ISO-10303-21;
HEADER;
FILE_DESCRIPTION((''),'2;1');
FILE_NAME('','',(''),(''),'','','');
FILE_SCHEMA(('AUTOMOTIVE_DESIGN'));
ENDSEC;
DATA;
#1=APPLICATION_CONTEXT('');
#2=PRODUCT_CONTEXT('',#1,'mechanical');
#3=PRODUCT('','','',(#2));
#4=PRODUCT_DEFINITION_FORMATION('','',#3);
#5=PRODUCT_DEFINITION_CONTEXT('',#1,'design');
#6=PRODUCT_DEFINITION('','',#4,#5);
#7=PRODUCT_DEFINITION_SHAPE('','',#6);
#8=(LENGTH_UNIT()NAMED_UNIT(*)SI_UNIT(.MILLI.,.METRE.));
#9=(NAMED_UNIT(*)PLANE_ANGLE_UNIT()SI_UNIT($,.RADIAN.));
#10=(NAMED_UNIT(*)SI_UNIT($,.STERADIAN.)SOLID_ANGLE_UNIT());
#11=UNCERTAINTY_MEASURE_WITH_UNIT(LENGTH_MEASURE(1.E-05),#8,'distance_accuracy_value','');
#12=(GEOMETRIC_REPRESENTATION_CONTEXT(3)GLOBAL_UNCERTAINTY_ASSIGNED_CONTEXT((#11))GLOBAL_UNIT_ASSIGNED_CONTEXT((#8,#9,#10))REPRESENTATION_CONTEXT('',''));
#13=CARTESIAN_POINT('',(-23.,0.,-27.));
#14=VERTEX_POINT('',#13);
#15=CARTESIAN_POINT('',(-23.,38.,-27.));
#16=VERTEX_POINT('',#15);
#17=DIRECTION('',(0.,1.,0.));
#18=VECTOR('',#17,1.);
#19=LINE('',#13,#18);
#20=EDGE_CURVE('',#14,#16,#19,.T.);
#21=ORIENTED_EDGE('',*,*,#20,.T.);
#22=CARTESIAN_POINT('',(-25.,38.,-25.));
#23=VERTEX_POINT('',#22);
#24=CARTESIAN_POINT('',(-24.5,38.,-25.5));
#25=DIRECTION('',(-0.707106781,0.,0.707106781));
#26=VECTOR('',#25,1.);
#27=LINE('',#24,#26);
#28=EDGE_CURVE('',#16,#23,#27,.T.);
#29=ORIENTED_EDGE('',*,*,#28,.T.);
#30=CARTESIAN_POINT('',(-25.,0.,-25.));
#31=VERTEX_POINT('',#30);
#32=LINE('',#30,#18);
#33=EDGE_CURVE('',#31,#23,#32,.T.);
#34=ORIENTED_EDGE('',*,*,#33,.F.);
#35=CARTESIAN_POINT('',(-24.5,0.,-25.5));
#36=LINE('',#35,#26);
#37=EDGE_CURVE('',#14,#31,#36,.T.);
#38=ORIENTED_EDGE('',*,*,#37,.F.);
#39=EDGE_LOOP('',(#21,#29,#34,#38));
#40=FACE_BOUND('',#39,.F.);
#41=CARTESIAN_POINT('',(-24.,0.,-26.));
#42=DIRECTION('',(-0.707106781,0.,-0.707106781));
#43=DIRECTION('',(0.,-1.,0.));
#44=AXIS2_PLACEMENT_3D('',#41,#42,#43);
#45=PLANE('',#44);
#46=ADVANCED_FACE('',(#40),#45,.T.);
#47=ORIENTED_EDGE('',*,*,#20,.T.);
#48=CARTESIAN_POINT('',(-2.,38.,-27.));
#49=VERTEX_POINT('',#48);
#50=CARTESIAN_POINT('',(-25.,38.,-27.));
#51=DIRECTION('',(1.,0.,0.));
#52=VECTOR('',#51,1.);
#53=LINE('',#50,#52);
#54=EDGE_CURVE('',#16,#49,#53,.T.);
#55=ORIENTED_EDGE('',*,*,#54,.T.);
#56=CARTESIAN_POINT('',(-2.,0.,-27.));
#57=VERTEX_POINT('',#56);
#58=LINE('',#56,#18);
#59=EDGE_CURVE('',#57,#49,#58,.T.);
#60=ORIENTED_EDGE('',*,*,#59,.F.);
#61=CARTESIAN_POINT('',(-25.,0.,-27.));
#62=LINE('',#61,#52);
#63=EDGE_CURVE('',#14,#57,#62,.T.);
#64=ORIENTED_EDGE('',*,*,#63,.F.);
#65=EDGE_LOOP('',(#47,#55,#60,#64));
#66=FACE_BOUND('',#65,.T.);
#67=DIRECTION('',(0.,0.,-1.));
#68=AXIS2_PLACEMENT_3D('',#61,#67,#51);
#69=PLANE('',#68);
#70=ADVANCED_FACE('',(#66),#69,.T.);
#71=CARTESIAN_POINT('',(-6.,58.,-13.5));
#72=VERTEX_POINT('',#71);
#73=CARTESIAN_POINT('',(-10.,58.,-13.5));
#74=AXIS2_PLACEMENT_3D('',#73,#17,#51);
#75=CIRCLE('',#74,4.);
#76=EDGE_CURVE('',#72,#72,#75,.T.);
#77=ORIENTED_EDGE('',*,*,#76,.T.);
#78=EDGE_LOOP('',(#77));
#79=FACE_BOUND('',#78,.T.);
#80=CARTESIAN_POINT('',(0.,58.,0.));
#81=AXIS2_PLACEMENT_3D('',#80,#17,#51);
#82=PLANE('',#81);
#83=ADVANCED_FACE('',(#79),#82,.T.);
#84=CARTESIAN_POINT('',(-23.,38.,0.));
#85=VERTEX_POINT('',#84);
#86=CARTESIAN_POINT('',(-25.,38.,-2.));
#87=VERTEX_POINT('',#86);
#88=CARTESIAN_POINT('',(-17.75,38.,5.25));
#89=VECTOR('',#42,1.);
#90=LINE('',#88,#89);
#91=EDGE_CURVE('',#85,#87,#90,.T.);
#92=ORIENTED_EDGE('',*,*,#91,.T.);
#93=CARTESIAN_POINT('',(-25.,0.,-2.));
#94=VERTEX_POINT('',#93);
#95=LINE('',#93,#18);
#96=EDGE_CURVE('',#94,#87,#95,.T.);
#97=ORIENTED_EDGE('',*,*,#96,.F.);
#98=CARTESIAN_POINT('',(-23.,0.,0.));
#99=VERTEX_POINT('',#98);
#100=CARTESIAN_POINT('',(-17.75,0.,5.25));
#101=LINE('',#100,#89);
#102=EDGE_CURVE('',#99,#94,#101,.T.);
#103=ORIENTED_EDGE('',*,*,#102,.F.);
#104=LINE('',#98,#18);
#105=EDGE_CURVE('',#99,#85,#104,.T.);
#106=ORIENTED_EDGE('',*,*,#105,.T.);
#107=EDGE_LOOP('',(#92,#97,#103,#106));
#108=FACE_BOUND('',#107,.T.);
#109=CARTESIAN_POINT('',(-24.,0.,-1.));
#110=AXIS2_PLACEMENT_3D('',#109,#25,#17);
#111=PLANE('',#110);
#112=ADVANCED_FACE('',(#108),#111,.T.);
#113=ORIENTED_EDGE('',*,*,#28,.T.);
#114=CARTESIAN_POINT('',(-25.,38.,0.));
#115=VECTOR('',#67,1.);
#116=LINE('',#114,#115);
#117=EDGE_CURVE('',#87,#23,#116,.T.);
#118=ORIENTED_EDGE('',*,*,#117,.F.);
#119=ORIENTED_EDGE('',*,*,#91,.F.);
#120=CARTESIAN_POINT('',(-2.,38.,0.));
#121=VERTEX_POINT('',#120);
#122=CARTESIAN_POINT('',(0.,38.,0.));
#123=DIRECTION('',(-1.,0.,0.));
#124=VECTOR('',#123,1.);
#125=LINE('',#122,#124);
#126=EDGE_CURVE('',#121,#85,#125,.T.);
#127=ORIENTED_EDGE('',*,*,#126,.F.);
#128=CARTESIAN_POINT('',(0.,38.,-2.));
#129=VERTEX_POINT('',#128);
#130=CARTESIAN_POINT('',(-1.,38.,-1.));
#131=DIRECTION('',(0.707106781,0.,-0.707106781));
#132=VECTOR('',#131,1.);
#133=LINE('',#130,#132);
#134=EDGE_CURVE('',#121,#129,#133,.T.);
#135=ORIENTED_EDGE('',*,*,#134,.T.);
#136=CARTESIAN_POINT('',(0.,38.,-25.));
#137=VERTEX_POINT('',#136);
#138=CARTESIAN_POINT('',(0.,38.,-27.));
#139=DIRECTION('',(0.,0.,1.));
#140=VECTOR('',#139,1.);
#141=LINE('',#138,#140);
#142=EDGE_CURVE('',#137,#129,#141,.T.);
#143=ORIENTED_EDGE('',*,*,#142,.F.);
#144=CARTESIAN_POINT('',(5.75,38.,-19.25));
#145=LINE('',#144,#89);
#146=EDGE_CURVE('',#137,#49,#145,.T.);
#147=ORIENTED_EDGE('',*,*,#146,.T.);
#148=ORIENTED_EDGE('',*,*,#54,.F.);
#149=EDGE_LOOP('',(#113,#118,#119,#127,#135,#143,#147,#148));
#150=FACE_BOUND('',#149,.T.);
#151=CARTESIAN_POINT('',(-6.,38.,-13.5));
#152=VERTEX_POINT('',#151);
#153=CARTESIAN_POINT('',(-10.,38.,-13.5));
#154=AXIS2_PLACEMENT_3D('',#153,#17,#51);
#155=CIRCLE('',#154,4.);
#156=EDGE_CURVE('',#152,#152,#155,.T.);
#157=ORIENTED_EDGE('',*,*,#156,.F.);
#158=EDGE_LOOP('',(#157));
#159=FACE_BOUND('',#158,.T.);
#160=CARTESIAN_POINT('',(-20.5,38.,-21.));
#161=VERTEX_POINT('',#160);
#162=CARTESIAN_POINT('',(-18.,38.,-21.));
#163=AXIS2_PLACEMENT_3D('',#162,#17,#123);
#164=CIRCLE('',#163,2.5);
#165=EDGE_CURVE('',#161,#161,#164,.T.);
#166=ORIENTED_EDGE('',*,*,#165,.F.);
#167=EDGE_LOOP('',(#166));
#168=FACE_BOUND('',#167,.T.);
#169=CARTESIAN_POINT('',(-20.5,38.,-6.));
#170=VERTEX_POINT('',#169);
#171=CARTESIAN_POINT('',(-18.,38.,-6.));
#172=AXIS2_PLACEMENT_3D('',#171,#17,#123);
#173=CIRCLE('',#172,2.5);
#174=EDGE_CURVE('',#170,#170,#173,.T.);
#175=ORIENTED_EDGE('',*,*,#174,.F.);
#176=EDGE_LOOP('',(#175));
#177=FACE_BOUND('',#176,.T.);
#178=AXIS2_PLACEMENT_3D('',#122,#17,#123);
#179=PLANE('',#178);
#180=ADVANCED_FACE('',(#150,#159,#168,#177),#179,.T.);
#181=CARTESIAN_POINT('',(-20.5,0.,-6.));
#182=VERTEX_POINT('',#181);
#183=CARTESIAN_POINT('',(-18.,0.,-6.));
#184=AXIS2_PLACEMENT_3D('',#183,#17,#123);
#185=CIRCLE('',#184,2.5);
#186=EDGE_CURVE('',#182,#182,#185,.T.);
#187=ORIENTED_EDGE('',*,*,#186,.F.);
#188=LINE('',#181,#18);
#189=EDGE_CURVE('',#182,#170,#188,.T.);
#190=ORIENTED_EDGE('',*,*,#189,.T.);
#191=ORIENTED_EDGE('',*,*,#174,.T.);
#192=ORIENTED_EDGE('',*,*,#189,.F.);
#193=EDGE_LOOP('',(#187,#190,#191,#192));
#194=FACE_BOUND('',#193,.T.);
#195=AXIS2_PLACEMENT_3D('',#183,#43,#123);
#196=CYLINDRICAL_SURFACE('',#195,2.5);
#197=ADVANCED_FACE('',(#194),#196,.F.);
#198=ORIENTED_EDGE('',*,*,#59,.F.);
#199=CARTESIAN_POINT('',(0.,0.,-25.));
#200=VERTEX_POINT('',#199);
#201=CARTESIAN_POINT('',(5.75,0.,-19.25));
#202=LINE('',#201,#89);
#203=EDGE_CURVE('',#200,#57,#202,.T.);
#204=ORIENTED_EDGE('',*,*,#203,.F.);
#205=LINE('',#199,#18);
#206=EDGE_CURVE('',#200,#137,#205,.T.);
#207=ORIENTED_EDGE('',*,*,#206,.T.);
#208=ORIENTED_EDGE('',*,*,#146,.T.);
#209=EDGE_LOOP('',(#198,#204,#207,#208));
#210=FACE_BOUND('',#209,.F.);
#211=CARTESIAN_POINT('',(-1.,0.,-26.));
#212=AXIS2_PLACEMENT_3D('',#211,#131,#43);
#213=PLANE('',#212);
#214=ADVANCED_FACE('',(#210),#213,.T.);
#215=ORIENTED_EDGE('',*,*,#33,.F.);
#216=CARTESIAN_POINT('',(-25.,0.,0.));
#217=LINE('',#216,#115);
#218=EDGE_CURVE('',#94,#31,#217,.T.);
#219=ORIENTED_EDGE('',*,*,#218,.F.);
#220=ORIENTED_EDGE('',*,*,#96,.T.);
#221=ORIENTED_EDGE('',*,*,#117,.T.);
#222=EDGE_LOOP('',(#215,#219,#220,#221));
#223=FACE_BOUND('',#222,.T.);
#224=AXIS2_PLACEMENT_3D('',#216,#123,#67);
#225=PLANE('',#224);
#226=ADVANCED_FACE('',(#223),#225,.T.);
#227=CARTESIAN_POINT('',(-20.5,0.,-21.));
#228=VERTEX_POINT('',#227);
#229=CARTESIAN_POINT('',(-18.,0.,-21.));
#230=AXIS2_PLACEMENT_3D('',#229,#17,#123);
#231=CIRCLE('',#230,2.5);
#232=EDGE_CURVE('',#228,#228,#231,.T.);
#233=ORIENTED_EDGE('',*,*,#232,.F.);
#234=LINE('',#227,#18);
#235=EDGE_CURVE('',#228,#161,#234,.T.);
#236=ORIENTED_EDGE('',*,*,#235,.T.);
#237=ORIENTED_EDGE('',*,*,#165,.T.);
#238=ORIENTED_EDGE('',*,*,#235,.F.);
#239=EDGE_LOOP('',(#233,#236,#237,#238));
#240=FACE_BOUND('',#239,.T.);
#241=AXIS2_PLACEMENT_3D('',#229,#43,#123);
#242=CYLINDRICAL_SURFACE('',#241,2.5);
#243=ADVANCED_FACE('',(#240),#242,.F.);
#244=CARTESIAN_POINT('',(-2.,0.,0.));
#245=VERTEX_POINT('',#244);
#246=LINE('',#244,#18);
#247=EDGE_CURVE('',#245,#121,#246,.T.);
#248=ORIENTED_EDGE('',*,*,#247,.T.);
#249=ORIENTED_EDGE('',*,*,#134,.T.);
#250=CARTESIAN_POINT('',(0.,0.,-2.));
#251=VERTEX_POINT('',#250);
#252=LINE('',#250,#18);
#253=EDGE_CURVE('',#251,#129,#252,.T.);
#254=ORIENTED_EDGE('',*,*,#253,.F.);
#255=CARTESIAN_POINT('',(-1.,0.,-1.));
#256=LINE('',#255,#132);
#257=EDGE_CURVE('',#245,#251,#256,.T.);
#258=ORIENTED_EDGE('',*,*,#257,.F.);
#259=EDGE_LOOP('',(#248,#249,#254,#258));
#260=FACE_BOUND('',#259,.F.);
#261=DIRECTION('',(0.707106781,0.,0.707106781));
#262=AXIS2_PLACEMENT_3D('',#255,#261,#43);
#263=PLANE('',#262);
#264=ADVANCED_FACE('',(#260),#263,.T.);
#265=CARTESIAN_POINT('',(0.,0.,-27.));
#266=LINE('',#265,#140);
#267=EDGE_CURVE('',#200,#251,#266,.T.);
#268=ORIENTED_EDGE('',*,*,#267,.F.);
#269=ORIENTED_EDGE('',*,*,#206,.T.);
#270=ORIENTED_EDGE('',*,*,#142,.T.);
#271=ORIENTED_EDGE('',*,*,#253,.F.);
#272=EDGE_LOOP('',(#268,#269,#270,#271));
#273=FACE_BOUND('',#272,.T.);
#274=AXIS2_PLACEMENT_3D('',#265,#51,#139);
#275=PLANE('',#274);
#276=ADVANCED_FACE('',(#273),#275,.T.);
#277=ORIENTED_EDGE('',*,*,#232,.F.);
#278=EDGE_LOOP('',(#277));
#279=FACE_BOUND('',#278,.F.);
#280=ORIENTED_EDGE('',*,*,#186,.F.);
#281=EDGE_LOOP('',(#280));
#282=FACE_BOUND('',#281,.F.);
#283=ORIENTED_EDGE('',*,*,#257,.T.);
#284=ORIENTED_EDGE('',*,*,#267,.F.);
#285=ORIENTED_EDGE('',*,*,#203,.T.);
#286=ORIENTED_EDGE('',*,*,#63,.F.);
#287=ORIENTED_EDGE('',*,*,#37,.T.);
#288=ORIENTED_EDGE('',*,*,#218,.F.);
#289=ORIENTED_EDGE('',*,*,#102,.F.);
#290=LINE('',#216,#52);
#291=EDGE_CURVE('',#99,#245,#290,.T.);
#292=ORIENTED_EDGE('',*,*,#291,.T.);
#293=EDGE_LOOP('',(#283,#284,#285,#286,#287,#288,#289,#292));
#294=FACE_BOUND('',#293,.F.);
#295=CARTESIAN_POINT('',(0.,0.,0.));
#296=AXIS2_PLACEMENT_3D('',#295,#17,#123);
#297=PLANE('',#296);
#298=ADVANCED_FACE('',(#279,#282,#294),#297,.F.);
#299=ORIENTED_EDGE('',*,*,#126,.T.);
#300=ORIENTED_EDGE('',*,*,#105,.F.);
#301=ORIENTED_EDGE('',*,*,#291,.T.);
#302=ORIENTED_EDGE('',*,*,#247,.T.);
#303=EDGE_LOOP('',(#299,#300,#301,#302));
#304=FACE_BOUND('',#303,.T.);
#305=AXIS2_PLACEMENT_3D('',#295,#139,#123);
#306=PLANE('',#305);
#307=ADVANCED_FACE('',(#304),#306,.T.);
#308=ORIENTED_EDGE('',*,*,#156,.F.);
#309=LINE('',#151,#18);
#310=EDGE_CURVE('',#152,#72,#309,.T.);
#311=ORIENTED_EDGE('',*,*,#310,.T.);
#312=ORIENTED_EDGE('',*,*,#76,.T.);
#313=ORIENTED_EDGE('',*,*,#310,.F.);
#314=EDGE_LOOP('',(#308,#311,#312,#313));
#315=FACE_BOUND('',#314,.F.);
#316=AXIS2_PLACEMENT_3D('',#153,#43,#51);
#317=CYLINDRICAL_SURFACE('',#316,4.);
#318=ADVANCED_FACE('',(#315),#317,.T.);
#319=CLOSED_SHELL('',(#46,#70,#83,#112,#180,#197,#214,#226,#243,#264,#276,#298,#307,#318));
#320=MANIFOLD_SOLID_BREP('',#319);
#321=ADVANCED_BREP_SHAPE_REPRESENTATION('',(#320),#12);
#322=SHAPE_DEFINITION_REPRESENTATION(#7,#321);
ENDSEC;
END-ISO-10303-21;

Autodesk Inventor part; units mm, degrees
ref_plane "YZ Plane" through (0, 0, 0) normal (1, 0, 0) x (0, 1, 0)
ref_plane "XZ Plane" through (0, 0, 0) normal (0, 1, 0) x (-1, 0, 0)
ref_plane "XY Plane" through (0, 0, 0) normal (0, 0, 1) x (1, 0, 0)
sketch "Sketch4" plane through (0, 0, 0) normal (0, 1, 0) x (-1, 0, 0)
  line L0 (0, 0) -> (25, 0)
  line L1 (25, 0) -> (25, -27)
  line L2 (25, -27) -> (0, -27)
  line L3 (0, -27) -> (0, 0)
  line L4 (25, 0) -> (18, 0)
  circle A0 centre (18, -6) radius 2.5
  circle A1 centre (18, -21) radius 2.5
  dimension "d35" = 25
  dimension "d36" = 27
  dimension "d39" = 5
  dimension "d41" = 5
extrude "Extrusion4" add sketch "Sketch4" along normal blind 38
sketch "Sketch5" plane through (0, 38, 0) normal (0, 1, 0) x (1, 0, 0)
  line L0 (0, 0) -> (0, 27) projected
  line L1 (0, 0) -> (0, 27)
  line L2 (0, 27) -> (0, 13.5)
  line L3 (0, 13.5) -> (-10, 13.5)
  circle A0 centre (-10, 13.5) radius 4
  dimension "d44" = 10
  dimension "d51" = 8
extrude "Extrusion5" add sketch "Sketch5" along normal blind 20
chamfer "Chamfer2" distance 2 angle 45 4 edges at (-25, 19, 0) (-25, 19, -27) (0, 19, -27) (0, 19, 0)
properties part number "pneumaticActuator"
